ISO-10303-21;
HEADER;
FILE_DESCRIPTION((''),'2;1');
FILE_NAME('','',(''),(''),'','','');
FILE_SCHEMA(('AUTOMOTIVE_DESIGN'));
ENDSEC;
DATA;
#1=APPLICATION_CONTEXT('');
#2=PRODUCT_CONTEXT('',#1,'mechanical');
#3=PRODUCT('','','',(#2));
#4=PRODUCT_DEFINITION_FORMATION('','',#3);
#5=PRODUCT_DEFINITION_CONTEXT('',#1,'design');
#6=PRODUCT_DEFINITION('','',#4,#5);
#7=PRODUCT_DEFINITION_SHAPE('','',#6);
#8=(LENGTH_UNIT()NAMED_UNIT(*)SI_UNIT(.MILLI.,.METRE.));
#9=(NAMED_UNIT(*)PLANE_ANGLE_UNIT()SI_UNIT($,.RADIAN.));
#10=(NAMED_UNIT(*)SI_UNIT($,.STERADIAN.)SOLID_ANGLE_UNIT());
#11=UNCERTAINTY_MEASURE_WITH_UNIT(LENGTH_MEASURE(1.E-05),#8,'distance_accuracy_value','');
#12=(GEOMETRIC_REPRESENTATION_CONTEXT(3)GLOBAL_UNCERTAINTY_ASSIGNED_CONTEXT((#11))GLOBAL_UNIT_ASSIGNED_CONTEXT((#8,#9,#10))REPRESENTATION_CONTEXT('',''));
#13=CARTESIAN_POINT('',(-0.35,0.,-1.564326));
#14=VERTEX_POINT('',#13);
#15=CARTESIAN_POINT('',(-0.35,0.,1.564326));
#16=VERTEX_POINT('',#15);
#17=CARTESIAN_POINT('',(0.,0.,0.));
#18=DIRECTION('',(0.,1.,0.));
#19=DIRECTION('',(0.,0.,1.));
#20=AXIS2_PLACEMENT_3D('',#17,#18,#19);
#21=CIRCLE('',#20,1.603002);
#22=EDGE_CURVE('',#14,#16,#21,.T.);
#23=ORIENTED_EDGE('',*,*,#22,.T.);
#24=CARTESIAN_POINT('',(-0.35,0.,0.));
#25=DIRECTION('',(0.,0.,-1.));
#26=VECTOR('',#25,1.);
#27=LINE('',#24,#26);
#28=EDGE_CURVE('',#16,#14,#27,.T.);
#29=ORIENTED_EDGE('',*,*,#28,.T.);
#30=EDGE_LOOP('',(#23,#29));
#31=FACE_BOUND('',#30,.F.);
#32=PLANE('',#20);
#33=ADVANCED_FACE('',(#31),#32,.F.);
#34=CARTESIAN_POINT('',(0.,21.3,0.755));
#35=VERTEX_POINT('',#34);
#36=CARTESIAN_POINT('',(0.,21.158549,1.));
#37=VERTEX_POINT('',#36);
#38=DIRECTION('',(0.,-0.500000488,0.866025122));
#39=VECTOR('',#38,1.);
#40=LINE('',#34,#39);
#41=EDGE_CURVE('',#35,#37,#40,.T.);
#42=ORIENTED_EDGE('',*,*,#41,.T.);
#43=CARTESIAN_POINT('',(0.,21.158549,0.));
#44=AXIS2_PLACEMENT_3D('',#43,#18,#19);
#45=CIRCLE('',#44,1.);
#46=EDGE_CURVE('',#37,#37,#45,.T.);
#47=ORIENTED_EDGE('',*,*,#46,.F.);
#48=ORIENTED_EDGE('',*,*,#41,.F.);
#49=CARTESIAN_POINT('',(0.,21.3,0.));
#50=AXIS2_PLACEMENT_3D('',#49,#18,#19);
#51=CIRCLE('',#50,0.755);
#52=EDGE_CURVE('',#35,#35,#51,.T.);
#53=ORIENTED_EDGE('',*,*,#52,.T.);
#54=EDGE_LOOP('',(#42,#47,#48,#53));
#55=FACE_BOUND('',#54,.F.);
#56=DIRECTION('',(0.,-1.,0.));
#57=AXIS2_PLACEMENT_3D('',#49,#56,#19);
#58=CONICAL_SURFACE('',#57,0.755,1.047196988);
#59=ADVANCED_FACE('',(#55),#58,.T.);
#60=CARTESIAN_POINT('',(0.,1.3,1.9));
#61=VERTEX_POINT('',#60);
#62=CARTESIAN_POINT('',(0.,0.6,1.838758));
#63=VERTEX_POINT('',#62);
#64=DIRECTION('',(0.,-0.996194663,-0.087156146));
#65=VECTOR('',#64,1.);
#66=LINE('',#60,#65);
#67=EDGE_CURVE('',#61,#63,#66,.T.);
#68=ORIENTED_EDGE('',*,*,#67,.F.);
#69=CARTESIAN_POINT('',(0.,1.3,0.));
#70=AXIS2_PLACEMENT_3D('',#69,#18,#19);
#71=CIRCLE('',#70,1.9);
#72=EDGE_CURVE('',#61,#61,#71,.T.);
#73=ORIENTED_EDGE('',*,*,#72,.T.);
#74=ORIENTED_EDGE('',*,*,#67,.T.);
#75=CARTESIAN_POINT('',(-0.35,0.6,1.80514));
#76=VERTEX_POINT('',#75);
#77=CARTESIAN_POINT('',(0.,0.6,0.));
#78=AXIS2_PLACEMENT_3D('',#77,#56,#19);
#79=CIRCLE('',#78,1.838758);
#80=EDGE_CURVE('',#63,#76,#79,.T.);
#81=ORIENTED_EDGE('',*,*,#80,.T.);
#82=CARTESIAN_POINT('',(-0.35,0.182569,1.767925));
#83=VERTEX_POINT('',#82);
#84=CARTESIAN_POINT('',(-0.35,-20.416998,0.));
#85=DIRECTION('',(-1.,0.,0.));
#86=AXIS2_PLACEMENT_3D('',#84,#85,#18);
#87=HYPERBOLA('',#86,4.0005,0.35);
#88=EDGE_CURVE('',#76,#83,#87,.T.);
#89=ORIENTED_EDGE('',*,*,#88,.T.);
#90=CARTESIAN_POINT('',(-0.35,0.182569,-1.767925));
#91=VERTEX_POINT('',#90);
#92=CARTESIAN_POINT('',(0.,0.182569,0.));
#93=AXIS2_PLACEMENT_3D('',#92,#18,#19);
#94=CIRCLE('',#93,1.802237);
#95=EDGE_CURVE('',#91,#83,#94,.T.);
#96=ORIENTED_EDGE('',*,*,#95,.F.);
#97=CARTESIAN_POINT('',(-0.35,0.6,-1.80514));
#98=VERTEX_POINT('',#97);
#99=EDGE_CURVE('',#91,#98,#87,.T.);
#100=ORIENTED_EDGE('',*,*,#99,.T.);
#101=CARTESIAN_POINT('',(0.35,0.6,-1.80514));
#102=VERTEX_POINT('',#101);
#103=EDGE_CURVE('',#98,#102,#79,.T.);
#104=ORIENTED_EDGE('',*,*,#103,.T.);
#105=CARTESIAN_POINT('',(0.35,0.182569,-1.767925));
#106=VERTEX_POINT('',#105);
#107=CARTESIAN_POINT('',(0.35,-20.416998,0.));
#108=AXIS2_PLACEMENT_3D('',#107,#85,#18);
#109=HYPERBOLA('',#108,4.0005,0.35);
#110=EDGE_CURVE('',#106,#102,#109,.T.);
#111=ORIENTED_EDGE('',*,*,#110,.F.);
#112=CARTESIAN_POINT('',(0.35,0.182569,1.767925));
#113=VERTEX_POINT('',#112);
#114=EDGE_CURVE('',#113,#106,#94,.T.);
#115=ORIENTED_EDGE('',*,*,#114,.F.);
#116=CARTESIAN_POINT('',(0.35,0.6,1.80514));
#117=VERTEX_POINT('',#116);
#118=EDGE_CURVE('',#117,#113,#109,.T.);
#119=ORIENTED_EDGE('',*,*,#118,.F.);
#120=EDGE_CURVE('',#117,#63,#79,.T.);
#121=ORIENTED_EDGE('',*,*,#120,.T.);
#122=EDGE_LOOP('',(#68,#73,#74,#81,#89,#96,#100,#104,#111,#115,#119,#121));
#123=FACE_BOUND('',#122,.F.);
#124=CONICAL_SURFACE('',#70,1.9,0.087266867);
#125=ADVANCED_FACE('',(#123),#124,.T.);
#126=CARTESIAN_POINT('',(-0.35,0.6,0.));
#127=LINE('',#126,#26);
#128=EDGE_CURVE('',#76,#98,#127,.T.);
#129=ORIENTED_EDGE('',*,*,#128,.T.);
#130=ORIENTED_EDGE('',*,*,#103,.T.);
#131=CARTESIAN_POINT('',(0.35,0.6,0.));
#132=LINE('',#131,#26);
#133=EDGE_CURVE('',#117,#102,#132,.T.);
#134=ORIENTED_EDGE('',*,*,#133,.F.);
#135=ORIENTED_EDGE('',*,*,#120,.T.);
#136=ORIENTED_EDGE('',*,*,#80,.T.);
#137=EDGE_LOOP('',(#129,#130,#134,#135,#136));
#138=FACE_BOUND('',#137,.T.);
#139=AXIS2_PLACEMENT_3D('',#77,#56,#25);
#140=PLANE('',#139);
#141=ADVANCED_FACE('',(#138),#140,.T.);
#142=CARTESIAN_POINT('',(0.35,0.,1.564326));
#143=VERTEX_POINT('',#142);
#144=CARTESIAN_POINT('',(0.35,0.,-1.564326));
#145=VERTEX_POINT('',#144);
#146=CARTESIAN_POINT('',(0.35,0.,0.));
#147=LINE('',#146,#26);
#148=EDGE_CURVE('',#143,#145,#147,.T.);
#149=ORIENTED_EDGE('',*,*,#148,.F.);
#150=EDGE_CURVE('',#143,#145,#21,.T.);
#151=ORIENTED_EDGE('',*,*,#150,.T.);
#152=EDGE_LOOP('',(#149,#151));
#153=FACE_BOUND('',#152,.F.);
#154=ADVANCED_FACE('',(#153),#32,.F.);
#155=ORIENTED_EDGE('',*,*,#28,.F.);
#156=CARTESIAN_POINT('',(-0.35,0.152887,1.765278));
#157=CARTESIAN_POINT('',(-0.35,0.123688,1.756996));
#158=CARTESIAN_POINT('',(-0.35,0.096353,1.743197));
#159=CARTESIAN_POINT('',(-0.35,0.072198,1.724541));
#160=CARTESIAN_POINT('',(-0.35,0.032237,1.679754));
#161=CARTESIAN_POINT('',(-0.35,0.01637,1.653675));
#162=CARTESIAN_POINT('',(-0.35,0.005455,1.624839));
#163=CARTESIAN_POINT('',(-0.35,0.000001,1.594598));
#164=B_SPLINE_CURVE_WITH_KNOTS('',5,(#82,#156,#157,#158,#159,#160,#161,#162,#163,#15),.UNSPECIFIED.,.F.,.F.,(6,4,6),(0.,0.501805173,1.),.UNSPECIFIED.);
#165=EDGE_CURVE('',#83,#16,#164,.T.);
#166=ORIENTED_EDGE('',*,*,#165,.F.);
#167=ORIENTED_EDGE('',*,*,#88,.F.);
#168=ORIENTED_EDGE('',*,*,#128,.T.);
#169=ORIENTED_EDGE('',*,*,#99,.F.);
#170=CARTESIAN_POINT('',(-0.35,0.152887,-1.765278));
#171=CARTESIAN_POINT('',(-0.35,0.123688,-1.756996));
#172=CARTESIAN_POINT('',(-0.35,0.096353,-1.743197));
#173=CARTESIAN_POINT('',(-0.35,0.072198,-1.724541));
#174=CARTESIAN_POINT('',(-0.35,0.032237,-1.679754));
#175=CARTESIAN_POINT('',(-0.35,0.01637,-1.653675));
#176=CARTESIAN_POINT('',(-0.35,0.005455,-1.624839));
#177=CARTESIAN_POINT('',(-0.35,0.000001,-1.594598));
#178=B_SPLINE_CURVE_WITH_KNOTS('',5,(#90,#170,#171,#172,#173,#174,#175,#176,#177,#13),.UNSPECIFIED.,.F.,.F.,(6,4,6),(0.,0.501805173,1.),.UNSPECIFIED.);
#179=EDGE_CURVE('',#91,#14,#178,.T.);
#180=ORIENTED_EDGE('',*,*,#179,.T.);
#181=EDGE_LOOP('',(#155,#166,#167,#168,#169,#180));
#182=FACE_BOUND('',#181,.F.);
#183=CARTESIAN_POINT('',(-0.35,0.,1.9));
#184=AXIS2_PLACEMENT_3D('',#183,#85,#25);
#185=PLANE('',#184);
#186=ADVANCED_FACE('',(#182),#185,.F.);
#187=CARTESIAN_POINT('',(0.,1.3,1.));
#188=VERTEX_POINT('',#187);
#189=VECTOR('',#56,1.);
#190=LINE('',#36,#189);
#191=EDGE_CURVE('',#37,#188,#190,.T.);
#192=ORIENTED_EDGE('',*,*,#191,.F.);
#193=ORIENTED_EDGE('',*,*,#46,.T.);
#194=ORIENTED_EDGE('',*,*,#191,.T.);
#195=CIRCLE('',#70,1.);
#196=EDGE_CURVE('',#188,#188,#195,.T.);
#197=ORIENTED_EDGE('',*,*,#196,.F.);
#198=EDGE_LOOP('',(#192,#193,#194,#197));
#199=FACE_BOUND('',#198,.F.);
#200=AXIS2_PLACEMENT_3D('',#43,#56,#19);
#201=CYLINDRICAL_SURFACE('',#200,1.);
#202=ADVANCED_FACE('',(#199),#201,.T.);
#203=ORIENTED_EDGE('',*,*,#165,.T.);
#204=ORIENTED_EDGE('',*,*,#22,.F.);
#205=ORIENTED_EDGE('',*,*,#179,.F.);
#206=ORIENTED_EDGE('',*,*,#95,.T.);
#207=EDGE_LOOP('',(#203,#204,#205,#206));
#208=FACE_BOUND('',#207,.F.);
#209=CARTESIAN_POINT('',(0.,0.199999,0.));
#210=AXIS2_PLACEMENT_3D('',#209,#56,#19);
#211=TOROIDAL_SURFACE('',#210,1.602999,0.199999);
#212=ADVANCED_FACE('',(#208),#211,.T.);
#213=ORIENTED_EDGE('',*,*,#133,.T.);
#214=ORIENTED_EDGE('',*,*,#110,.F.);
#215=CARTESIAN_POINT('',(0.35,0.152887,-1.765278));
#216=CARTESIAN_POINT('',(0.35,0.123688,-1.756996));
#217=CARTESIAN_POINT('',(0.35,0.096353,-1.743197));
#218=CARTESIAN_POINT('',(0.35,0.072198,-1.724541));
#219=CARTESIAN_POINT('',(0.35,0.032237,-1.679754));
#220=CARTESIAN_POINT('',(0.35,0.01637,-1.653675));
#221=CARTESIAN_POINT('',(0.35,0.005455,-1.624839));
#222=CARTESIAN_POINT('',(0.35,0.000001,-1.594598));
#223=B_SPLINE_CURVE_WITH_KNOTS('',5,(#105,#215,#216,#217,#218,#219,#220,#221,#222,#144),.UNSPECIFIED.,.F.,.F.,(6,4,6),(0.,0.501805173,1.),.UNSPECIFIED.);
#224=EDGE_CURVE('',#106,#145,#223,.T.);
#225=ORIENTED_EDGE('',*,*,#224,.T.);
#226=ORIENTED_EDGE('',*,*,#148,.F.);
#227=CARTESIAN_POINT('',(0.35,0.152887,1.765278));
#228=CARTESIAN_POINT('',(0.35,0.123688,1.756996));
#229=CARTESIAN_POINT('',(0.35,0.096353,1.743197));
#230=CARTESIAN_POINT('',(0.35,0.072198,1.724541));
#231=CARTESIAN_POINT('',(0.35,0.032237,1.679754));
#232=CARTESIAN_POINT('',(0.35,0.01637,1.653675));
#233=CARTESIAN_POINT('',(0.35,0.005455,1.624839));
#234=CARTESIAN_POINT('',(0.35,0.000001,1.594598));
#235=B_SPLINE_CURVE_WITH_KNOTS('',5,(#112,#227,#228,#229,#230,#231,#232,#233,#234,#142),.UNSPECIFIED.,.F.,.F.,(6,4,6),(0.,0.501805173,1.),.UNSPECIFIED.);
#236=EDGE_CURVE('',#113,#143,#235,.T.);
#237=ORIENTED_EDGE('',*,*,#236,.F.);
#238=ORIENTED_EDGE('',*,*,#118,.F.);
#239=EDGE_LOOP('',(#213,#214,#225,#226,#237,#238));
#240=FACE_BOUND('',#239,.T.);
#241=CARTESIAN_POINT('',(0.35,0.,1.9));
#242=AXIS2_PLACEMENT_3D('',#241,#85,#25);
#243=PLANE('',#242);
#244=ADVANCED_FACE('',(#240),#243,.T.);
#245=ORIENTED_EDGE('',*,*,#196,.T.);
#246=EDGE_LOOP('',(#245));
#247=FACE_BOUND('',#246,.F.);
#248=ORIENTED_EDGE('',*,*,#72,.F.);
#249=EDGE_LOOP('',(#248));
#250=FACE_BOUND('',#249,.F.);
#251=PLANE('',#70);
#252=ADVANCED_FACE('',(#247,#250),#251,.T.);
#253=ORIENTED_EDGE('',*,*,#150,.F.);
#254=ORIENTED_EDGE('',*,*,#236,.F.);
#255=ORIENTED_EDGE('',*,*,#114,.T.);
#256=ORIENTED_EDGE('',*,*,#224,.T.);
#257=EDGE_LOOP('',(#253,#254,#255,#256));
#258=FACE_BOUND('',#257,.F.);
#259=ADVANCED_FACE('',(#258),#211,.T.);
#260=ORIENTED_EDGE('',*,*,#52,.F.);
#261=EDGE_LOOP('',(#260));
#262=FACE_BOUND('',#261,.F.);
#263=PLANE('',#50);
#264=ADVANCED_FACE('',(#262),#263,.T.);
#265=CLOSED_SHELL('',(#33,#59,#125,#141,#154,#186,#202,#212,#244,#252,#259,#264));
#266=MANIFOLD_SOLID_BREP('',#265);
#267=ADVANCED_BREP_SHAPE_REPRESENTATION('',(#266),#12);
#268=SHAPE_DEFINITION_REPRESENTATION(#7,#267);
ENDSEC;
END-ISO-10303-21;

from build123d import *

# Parameters (mm, degrees)
SKETCH001_W  = 3.8
SKETCH001_H  = 0.7
POCKET_DEPTH = 0.6


with BuildPart() as part:
    # Sketch → Revolution (revolve)
    with BuildSketch(Plane.YZ):
        with BuildLine():
            Line((0, 1.603002), (0, 0))
            Line((0, 0), (21.3, 0))
            Line((21.3, 0), (21.3, 0.755))
            Line((21.3, 0.755), (21.158549, 1))
            Line((21.158549, 1), (1.3, 1))
            Line((1.3, 1), (1.3, 1.9))
            Line((1.3, 1.9), (0.182569, 1.802237))
            ThreePointArc((0.182569, 1.802237), (0.052546, 1.738118), (0, 1.603002))
        make_face()
    revolve(axis=Axis((0, 0, 0), (0, 1, 0)))

    # Sketch001 → Pocket (cut)
    with BuildSketch(Plane(origin=(0, 0, 0), x_dir=(0, 0, -1), z_dir=(0, -1, 0))):
        Rectangle(SKETCH001_W, SKETCH001_H)
    extrude(amount=-POCKET_DEPTH, mode=Mode.SUBTRACT)


solid = part.part
